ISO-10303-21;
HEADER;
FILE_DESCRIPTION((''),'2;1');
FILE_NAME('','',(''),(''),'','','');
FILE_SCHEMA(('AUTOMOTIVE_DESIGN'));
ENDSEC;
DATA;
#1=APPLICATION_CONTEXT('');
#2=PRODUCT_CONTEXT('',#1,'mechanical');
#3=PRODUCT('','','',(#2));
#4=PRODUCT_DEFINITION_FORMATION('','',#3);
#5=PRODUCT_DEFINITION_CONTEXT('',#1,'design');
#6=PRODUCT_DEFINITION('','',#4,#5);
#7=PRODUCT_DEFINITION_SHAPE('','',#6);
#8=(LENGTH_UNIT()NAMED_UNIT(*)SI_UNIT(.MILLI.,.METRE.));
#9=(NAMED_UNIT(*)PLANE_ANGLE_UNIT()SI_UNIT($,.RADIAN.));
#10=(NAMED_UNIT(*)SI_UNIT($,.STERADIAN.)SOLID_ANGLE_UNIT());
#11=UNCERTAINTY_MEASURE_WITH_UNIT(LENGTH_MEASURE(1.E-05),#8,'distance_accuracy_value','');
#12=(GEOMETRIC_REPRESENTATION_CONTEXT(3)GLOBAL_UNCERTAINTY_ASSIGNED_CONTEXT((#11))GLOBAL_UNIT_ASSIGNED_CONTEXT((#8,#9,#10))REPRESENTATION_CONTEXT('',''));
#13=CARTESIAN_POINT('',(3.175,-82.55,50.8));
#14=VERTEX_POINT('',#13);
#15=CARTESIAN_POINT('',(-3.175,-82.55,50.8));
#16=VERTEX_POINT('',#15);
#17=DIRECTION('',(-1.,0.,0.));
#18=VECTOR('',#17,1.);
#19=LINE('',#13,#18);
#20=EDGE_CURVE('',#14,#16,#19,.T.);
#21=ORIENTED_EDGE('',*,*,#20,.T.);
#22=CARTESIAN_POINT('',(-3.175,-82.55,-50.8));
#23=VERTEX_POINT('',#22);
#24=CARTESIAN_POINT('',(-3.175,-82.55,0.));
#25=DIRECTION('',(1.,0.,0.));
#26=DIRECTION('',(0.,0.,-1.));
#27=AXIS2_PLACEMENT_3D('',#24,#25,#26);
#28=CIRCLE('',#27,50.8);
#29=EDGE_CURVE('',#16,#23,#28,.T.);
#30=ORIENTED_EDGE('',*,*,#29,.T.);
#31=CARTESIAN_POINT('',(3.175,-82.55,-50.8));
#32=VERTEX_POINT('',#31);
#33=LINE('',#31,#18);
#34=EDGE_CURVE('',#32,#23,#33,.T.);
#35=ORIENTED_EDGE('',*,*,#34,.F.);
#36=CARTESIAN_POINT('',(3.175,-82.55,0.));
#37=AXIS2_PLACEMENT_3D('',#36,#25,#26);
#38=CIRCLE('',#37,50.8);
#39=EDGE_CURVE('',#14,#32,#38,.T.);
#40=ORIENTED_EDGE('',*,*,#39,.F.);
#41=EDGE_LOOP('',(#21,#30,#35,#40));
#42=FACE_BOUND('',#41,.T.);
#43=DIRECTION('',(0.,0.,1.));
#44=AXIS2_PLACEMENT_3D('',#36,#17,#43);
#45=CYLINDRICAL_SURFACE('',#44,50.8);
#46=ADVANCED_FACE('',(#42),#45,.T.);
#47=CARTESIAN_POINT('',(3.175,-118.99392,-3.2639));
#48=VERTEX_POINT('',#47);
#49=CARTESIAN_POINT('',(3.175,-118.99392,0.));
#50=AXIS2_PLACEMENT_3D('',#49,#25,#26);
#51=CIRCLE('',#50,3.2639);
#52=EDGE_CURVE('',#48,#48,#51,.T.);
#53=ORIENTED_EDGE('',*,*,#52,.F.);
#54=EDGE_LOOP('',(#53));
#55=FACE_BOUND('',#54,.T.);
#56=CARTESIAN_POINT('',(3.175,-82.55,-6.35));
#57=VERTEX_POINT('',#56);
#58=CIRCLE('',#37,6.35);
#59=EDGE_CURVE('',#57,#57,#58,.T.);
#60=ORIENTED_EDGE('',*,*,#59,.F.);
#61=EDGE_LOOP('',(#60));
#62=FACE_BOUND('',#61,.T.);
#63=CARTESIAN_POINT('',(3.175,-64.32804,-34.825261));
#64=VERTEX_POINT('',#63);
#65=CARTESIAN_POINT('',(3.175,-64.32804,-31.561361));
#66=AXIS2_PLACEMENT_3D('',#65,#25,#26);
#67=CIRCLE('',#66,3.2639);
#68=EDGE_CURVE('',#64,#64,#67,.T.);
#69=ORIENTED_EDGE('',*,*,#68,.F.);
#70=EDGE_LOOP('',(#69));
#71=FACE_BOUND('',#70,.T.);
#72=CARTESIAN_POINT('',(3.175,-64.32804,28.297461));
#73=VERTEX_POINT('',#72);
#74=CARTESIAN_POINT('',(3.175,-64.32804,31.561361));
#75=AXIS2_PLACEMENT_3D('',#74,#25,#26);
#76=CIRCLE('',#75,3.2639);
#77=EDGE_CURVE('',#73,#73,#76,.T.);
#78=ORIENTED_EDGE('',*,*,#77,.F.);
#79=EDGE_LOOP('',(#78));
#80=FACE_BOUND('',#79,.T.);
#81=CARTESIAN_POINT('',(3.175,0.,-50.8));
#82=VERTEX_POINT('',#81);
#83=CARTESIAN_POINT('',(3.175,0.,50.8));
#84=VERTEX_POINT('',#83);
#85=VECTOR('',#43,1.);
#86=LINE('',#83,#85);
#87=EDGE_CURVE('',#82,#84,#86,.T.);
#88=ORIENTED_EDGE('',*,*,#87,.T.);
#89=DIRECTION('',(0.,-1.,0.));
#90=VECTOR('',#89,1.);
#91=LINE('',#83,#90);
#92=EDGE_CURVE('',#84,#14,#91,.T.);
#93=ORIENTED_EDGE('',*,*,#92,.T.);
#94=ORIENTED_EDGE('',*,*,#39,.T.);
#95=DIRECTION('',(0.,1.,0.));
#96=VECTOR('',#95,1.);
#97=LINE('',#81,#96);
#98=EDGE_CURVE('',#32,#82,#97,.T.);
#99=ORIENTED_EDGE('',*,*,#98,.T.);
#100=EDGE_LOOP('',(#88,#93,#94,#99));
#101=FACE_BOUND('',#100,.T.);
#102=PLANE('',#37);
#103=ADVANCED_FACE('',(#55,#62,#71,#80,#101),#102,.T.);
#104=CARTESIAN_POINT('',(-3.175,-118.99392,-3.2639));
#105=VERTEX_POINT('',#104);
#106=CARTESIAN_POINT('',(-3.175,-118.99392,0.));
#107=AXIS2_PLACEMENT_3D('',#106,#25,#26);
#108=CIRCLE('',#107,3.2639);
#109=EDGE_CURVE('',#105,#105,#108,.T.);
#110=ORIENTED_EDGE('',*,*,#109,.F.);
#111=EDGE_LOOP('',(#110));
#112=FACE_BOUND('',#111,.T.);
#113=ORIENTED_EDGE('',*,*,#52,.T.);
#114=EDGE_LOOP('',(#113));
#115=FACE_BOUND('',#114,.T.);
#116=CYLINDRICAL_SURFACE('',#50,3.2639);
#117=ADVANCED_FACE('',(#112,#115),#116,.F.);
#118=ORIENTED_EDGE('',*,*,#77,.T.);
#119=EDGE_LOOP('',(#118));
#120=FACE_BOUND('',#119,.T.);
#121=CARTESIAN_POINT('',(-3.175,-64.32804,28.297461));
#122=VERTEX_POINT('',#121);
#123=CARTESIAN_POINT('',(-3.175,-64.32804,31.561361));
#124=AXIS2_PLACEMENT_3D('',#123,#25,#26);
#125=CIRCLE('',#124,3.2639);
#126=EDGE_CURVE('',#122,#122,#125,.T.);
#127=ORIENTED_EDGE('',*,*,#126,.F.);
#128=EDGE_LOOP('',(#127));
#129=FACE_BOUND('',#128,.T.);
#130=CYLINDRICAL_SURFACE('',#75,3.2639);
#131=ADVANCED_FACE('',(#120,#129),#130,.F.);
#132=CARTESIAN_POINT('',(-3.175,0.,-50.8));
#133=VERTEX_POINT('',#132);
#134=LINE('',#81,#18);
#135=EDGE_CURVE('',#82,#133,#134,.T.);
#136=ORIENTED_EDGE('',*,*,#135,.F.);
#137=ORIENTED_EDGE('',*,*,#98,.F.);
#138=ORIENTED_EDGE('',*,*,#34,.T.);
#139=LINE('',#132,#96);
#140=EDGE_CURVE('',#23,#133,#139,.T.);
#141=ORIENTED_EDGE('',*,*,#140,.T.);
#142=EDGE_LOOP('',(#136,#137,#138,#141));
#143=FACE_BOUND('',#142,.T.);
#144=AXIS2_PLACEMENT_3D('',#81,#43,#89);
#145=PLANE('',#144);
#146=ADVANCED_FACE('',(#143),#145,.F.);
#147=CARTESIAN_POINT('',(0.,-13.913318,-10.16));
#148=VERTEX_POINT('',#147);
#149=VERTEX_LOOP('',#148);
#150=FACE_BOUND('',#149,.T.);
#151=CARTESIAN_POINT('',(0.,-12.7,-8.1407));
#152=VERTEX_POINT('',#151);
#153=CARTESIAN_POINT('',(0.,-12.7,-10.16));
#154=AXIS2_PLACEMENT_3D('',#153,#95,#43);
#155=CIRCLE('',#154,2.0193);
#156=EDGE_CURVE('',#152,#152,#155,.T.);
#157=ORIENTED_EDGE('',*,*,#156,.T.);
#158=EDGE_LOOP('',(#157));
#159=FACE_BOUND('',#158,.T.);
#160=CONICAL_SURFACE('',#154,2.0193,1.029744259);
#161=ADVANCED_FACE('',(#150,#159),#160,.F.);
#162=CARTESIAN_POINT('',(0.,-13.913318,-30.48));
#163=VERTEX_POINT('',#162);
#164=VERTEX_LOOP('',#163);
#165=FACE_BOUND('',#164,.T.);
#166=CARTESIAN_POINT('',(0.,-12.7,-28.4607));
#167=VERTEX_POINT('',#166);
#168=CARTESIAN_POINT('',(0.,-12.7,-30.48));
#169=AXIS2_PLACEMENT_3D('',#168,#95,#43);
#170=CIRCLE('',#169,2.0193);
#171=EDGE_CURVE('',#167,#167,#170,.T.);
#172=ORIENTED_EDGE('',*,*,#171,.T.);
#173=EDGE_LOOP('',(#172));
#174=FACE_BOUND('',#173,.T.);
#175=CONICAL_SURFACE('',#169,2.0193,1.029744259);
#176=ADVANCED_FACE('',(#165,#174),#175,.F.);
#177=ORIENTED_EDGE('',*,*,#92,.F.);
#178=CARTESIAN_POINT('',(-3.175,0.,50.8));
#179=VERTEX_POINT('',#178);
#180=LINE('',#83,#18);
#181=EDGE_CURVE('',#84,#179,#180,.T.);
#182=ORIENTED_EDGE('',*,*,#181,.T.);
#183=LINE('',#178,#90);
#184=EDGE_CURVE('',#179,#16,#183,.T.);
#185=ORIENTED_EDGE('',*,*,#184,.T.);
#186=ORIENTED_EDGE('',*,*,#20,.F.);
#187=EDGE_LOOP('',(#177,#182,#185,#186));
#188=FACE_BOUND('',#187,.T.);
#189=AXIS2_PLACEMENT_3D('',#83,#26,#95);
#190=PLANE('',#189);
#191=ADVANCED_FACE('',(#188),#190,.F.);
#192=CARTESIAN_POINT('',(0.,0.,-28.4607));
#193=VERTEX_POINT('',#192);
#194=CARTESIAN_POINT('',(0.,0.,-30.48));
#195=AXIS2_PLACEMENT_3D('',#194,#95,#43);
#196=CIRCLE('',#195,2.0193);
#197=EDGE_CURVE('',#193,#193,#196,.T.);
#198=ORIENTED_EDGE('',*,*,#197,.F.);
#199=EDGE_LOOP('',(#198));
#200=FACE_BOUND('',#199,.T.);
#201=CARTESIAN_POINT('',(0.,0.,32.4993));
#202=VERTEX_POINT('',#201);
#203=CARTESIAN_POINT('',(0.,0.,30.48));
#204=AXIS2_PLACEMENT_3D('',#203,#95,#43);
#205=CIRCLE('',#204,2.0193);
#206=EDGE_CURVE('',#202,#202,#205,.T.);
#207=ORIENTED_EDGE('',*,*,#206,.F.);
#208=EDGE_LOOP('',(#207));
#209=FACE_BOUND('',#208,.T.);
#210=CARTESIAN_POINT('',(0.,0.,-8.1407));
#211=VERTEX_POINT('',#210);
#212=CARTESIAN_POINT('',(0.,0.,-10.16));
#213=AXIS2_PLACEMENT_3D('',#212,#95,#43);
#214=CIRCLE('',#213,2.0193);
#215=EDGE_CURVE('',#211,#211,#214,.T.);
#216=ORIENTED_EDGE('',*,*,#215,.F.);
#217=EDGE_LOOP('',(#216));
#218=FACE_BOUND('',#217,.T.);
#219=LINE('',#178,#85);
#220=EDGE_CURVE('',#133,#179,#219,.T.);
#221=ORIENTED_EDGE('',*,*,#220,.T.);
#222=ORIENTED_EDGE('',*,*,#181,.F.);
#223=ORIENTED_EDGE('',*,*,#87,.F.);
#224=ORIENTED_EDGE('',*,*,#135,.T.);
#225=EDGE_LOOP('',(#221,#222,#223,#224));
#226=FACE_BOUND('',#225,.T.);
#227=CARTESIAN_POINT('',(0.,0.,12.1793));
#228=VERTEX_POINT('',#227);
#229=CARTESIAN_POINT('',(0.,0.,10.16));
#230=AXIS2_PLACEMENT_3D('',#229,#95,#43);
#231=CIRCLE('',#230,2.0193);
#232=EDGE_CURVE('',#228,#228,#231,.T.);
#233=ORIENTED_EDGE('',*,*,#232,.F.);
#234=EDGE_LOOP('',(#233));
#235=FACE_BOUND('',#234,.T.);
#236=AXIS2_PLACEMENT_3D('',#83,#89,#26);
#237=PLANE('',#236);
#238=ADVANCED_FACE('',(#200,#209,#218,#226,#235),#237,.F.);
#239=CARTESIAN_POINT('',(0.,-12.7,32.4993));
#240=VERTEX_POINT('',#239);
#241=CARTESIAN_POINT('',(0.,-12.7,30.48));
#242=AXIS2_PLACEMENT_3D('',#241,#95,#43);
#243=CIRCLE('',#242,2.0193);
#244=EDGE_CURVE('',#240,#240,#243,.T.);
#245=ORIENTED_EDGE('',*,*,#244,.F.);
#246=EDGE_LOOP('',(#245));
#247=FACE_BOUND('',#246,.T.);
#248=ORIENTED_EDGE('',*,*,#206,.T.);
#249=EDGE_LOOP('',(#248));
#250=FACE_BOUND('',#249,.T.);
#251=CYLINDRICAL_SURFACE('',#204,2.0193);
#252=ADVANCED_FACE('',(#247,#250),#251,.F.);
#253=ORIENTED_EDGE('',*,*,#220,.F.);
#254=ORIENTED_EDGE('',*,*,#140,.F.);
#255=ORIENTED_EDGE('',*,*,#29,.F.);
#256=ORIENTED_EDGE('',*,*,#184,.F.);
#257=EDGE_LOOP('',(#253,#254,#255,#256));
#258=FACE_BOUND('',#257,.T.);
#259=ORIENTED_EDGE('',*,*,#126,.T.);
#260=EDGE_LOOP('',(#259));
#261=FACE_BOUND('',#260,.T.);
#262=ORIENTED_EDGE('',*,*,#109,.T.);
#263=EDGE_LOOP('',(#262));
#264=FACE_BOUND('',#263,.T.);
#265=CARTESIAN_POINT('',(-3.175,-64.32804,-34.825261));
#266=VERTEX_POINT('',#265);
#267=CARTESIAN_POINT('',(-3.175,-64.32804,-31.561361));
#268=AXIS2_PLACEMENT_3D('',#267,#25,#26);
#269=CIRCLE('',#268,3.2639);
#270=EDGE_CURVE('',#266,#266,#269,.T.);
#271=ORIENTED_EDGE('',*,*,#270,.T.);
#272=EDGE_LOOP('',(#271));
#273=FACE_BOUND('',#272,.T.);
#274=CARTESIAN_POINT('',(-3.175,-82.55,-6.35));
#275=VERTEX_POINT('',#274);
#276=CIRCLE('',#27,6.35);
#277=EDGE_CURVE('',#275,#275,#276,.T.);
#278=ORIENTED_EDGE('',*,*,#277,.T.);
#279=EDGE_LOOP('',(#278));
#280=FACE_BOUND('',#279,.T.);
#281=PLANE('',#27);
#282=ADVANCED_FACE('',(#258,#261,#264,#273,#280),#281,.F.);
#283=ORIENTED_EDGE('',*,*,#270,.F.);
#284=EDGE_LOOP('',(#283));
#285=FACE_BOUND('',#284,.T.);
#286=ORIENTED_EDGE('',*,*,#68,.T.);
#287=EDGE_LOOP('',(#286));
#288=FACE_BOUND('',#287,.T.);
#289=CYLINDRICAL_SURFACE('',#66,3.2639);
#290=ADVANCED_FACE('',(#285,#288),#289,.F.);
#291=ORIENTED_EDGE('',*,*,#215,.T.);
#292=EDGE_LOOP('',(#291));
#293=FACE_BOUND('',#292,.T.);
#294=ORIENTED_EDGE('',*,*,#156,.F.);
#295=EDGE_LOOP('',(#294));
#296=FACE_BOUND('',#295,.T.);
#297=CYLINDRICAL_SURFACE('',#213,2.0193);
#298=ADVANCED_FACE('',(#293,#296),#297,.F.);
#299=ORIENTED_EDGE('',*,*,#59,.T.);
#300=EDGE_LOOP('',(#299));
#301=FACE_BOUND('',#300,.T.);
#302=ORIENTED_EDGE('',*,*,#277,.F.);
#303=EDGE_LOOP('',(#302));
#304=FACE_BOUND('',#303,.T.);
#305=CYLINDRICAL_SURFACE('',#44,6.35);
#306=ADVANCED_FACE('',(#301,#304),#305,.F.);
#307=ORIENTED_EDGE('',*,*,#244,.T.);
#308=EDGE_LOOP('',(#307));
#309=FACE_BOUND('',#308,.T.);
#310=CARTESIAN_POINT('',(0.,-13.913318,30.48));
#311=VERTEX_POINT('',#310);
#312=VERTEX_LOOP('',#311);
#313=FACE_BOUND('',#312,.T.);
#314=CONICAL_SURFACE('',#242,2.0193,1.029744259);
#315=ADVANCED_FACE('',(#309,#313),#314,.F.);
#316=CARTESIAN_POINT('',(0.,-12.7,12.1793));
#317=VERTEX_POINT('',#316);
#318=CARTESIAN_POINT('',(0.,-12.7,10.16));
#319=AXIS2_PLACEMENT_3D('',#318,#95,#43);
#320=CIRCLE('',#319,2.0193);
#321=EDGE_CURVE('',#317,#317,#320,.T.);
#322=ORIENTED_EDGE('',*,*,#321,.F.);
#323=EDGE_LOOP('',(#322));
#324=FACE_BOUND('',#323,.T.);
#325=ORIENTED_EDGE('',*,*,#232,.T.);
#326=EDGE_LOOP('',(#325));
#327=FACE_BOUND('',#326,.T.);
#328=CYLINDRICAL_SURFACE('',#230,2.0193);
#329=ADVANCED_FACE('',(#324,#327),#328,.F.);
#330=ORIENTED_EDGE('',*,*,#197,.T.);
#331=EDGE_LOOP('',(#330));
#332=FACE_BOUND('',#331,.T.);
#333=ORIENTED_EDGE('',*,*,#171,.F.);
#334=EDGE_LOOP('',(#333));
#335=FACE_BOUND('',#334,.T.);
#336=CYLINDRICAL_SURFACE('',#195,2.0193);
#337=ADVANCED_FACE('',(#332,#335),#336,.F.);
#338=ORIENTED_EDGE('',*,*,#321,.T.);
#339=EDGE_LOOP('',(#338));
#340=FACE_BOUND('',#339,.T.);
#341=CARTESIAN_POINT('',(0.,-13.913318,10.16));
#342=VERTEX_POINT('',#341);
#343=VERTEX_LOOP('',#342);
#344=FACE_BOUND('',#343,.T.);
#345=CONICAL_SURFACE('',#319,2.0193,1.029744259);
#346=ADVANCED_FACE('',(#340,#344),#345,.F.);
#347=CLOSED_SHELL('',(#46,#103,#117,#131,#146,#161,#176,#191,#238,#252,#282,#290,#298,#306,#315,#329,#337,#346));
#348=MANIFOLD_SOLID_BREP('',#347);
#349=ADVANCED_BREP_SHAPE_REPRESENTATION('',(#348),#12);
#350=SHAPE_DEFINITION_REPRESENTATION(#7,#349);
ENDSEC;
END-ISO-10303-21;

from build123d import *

# Parameters (mm, degrees)
SKETCH2_R                  = 6.35
BOSS_EXTRUDE1_DEPTH        = 3.175
F_1_4_CLEARANCE_HOLE1_D    = 6.5278
F_10_32_TAPPED_HOLE1_D     = 4.0386
F_10_32_TAPPED_HOLE1_DEPTH = 12.7
F_10_32_TAPPED_HOLE1_TIP   = 1.213317848


with BuildPart() as part:
    # Sketch2 → Boss-Extrude1 (new, symmetric)
    with BuildSketch(Plane(origin=(0, 0, 0), x_dir=(0, 0, -1), z_dir=(1, 0, 0))):
        with BuildLine():
            Line((-50.8, 0), (50.8, 0))
            Line((50.8, 0), (50.8, -82.55))
            ThreePointArc((50.8, -82.55), (0, -133.35), (-50.8, -82.55))
            Line((-50.8, -82.55), (-50.8, 0))
        make_face()
        with Locations((0, -82.55)):
            Circle(SKETCH2_R, mode=Mode.SUBTRACT)
    extrude(amount=BOSS_EXTRUDE1_DEPTH, both=True)

    # 1/4 Clearance Hole1 (through all)
    with Locations(Plane(origin=(3.175, 0, 0), x_dir=(0, 0, -1), z_dir=(1, 0, 0))):
        with Locations((-31.56136055, -64.32803999), (31.56136055, -64.32803999), (0, -118.993920019)):
            Hole(F_1_4_CLEARANCE_HOLE1_D / 2)

    # #10-32 Tapped Hole1
    with Locations(Plane(origin=(0, 0, 0), x_dir=(1, 0, 0), z_dir=(0, 1, 0))):
        with Locations((0, 30.48), (0, 10.16), (0, -10.16), (0, -30.48)):
            Hole(F_10_32_TAPPED_HOLE1_D / 2, depth=F_10_32_TAPPED_HOLE1_DEPTH)
            with Locations((0, 0, -(F_10_32_TAPPED_HOLE1_DEPTH + F_10_32_TAPPED_HOLE1_TIP / 2))):  # 118° drill point
                Cone(0, F_10_32_TAPPED_HOLE1_D / 2, F_10_32_TAPPED_HOLE1_TIP, mode=Mode.SUBTRACT)


solid = part.part
